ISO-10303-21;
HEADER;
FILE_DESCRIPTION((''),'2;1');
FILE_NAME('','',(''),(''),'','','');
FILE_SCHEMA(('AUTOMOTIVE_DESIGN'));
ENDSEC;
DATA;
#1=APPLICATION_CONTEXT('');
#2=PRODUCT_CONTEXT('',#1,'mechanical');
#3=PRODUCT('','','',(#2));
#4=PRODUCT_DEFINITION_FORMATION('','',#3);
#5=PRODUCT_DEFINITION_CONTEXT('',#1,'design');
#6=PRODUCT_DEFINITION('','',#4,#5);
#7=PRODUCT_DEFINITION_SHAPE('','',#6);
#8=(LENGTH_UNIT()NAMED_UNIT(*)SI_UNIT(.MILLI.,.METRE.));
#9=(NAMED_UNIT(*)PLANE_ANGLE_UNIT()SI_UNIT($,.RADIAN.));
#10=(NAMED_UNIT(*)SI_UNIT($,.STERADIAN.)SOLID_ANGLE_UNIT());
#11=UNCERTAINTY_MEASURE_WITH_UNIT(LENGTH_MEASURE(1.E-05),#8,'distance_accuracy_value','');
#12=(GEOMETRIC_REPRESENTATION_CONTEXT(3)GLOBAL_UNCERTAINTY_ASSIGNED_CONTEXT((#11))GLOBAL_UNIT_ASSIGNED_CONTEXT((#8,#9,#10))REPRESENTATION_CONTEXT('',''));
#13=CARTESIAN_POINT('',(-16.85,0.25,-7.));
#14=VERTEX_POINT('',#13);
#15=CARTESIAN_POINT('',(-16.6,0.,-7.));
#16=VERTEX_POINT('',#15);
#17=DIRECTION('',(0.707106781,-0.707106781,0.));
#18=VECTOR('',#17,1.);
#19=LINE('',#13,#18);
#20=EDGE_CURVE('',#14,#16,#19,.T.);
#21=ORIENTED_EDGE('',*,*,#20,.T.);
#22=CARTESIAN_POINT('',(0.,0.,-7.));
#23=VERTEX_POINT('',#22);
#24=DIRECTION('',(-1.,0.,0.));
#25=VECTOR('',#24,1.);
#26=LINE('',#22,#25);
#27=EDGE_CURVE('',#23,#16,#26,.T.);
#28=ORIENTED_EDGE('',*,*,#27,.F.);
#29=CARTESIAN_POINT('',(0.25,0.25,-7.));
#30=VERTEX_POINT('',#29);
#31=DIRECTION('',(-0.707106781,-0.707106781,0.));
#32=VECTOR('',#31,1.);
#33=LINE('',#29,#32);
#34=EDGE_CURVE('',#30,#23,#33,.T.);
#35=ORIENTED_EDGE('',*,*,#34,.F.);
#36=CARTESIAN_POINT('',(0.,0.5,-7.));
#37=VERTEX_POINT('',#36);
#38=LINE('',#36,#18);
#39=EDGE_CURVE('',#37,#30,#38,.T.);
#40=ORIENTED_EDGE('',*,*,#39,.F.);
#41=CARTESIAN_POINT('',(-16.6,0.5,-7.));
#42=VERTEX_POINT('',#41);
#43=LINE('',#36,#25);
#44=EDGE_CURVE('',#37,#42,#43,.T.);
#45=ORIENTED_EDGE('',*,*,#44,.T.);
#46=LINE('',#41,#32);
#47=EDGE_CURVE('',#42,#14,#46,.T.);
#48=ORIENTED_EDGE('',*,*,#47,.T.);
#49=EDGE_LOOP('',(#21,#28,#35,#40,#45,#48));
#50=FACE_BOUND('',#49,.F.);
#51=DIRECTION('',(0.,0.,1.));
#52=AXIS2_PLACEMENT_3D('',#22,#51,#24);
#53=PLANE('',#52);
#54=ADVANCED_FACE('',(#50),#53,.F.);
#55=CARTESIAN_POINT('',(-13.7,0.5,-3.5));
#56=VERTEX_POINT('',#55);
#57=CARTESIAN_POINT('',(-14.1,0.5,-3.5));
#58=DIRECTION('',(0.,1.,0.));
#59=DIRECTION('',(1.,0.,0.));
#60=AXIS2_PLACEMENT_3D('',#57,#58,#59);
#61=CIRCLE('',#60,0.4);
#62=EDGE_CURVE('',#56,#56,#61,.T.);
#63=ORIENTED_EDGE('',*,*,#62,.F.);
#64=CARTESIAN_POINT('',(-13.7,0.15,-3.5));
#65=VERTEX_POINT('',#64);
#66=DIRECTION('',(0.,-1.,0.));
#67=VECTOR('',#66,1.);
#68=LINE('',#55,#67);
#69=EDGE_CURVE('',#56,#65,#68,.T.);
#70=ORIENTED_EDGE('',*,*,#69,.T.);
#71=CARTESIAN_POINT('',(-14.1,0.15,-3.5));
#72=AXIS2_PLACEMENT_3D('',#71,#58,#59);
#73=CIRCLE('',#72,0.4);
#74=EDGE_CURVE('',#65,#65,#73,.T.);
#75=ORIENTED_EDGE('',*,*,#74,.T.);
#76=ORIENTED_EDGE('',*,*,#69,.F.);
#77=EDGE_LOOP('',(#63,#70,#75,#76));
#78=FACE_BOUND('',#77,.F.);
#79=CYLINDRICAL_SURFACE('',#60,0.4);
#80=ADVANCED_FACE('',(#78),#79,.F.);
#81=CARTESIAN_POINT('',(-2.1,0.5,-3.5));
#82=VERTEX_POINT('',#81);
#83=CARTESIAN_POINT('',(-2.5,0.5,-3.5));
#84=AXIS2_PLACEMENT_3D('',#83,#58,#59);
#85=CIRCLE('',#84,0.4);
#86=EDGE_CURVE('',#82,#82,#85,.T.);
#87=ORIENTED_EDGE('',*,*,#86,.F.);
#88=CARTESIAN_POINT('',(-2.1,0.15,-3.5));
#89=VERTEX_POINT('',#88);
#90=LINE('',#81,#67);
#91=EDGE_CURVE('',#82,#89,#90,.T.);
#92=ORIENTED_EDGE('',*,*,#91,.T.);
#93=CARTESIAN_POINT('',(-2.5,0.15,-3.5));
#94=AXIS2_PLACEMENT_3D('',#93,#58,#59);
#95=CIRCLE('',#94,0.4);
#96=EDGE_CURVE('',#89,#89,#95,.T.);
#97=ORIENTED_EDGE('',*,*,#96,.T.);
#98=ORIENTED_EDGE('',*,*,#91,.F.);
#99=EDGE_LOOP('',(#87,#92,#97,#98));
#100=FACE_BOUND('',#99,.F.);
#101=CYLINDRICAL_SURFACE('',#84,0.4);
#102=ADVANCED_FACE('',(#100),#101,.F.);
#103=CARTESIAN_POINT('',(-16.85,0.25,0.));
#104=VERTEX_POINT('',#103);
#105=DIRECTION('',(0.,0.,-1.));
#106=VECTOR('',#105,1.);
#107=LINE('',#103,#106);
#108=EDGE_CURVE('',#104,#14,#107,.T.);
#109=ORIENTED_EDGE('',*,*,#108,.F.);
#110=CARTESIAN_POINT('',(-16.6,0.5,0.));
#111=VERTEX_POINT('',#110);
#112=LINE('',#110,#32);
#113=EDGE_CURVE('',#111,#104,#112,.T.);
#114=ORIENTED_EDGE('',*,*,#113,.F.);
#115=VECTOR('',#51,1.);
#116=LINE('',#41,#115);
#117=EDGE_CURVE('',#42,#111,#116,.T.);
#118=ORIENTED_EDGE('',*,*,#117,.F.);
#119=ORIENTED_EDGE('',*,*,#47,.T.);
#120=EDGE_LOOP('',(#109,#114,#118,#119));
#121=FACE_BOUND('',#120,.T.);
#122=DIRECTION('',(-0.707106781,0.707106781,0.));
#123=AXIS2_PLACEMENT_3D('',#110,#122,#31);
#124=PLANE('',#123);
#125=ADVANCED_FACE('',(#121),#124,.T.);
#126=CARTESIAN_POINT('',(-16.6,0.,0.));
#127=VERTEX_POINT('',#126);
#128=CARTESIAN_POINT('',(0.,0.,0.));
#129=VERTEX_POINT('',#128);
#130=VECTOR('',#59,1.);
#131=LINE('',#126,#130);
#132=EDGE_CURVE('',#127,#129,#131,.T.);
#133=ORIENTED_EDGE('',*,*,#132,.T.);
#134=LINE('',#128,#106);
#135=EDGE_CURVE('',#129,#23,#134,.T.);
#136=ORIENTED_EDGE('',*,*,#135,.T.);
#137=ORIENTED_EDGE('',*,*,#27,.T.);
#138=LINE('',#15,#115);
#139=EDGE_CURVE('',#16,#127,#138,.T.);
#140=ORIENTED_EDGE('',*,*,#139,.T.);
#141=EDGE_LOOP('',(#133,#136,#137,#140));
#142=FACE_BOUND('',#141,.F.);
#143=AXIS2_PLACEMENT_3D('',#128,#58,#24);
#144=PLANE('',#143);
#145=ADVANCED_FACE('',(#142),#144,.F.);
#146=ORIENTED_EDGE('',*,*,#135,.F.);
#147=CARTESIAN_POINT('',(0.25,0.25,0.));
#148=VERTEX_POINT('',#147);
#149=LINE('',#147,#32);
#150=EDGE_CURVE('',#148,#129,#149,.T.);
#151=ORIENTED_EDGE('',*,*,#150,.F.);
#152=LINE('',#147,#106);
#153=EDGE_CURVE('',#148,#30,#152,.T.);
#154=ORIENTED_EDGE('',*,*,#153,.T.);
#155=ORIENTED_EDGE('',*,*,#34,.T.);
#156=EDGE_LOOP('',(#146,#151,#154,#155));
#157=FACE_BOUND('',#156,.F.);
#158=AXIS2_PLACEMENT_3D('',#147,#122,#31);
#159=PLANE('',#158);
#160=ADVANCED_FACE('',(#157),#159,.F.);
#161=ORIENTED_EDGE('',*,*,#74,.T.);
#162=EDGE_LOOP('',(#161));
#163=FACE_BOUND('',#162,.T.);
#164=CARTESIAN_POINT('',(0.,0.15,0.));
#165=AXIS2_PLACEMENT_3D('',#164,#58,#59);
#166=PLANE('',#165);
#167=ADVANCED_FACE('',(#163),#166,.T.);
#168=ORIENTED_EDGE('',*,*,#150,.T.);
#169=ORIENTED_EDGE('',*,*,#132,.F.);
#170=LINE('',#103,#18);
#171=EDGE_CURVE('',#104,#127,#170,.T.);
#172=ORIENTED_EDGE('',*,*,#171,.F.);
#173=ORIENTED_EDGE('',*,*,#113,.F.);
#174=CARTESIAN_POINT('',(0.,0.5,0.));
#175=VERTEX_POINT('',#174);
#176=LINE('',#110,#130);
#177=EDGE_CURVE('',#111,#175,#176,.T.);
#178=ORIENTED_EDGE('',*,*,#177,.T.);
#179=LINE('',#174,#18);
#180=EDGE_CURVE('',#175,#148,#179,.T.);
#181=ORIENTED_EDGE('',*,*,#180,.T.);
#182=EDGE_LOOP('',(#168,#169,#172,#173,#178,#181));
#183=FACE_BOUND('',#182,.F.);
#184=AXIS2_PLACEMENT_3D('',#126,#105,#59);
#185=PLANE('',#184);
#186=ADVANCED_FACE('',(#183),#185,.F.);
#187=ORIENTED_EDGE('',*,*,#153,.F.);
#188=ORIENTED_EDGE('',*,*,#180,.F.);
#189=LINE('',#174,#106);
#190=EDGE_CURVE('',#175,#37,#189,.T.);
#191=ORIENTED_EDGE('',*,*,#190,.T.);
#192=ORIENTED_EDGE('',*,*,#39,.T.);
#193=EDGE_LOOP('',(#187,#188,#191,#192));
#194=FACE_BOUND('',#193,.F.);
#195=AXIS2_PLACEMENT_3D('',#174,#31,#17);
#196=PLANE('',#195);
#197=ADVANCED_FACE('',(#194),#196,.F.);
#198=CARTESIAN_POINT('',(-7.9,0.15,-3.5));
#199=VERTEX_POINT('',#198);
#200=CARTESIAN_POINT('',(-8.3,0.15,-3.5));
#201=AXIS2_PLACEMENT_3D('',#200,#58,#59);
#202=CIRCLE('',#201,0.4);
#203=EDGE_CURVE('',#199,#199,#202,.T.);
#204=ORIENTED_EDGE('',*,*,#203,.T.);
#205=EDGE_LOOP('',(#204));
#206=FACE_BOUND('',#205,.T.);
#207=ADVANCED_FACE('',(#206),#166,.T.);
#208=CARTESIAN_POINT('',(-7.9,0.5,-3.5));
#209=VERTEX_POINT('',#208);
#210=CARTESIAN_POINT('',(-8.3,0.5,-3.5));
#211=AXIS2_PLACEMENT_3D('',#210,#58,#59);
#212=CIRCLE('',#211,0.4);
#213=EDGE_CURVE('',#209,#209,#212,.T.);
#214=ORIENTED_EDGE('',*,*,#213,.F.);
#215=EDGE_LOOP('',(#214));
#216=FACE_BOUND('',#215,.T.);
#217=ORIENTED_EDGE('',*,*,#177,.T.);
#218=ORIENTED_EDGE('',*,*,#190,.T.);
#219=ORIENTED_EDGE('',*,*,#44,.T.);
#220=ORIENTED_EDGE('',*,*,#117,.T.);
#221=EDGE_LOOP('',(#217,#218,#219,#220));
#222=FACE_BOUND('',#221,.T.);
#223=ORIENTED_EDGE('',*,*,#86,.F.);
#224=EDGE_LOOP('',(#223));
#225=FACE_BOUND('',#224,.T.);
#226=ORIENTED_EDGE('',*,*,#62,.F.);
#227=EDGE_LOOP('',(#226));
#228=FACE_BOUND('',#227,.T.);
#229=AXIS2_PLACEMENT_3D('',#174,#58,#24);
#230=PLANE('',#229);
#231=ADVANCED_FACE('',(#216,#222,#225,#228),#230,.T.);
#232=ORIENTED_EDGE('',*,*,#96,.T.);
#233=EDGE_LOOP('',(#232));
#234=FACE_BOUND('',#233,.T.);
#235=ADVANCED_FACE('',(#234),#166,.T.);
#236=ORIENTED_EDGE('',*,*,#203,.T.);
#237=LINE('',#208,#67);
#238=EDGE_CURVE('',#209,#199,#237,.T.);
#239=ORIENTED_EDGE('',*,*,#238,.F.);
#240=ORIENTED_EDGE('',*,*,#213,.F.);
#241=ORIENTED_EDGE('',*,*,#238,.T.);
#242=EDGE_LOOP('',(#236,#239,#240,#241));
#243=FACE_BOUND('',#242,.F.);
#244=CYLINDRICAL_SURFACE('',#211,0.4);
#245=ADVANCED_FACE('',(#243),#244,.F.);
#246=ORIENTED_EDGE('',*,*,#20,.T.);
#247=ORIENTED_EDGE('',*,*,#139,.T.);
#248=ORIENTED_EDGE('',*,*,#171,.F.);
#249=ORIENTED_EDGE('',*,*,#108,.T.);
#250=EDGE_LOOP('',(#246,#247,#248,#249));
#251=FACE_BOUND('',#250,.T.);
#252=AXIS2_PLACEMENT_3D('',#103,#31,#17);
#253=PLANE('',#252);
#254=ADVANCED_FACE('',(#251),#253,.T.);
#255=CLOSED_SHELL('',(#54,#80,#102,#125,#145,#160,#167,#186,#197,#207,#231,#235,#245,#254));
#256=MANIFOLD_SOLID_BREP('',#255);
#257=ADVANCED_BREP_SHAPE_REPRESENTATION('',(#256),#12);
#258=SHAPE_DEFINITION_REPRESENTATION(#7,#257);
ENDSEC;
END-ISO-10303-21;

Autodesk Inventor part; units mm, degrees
ref_plane "YZ Plane" through (0, 0, 0) normal (1, 0, 0) x (0, 1, 0)
ref_plane "XZ Plane" through (0, 0, 0) normal (0, 1, 0) x (-1, 0, 0)
ref_plane "XY Plane" through (0, 0, 0) normal (0, 0, 1) x (1, 0, 0)
sketch "Boceto1" plane through (0, 0, 0) normal (0, 1, 0) x (-1, 0, 0)
  line L0 (0, 0) -> (0, -7)
  line L1 (0, -7) -> (16.6, -7)
  line L2 (16.6, -7) -> (16.6, 0)
  line L3 (16.6, 0) -> (0, 0)
  dimension "d0" = 7
  dimension "d1" = 16.6
  dimension "d2" = 7
extrude "Extrusión1" add sketch "Boceto1" along normal blind 0.5
sketch "Boceto2" plane through (-16.6, 0, 0) normal (0, 0, 1) x (1, 0, 0)
  line L0 (16.6, 0.5) -> (16.6, 0)
  line L1 (16.6, 0.5) -> (16.85, 0.25)
  line L2 (16.85, 0.25) -> (16.6, 0)
  line L3 (0, 0) -> (16.6, 0) projected
  line L4 (16.6, 0) -> (16.6, 0.5) projected
  line L5 (0, 0.5) -> (16.6, 0.5) projected
  line L6 (0, 0) -> (0, 0.5) projected
  line L7 (0, 0.5) -> (0, 0)
  line L8 (0, 0.5) -> (-0.25, 0.25)
  line L9 (-0.25, 0.25) -> (0, 0)
  line L10 (0, 0) -> (0, 0.5)
extrude "Extrusión2" add sketch "Boceto2" against normal blind 7 contours L1 L2 L0 | L6 L9 L8
sketch "Boceto3" plane through (0, 0.5, 0) normal (0, 1, 0) x (1, 0, 0)
  line L0 (-16.6, 7) -> (-16.6, 0) projected
  line L1 (0, 0) -> (0, 7) projected
  circle A0 centre (-8.3, 3.5) radius 0.4
  circle A1 centre (-14.1, 3.5) radius 0.4
  circle A2 centre (-2.5, 3.5) radius 0.4
  dimension "d8" = 0.8
  dimension "d9" = 0.8
extrude "Extrusión3" cut sketch "Boceto3" against normal blind 0.35
